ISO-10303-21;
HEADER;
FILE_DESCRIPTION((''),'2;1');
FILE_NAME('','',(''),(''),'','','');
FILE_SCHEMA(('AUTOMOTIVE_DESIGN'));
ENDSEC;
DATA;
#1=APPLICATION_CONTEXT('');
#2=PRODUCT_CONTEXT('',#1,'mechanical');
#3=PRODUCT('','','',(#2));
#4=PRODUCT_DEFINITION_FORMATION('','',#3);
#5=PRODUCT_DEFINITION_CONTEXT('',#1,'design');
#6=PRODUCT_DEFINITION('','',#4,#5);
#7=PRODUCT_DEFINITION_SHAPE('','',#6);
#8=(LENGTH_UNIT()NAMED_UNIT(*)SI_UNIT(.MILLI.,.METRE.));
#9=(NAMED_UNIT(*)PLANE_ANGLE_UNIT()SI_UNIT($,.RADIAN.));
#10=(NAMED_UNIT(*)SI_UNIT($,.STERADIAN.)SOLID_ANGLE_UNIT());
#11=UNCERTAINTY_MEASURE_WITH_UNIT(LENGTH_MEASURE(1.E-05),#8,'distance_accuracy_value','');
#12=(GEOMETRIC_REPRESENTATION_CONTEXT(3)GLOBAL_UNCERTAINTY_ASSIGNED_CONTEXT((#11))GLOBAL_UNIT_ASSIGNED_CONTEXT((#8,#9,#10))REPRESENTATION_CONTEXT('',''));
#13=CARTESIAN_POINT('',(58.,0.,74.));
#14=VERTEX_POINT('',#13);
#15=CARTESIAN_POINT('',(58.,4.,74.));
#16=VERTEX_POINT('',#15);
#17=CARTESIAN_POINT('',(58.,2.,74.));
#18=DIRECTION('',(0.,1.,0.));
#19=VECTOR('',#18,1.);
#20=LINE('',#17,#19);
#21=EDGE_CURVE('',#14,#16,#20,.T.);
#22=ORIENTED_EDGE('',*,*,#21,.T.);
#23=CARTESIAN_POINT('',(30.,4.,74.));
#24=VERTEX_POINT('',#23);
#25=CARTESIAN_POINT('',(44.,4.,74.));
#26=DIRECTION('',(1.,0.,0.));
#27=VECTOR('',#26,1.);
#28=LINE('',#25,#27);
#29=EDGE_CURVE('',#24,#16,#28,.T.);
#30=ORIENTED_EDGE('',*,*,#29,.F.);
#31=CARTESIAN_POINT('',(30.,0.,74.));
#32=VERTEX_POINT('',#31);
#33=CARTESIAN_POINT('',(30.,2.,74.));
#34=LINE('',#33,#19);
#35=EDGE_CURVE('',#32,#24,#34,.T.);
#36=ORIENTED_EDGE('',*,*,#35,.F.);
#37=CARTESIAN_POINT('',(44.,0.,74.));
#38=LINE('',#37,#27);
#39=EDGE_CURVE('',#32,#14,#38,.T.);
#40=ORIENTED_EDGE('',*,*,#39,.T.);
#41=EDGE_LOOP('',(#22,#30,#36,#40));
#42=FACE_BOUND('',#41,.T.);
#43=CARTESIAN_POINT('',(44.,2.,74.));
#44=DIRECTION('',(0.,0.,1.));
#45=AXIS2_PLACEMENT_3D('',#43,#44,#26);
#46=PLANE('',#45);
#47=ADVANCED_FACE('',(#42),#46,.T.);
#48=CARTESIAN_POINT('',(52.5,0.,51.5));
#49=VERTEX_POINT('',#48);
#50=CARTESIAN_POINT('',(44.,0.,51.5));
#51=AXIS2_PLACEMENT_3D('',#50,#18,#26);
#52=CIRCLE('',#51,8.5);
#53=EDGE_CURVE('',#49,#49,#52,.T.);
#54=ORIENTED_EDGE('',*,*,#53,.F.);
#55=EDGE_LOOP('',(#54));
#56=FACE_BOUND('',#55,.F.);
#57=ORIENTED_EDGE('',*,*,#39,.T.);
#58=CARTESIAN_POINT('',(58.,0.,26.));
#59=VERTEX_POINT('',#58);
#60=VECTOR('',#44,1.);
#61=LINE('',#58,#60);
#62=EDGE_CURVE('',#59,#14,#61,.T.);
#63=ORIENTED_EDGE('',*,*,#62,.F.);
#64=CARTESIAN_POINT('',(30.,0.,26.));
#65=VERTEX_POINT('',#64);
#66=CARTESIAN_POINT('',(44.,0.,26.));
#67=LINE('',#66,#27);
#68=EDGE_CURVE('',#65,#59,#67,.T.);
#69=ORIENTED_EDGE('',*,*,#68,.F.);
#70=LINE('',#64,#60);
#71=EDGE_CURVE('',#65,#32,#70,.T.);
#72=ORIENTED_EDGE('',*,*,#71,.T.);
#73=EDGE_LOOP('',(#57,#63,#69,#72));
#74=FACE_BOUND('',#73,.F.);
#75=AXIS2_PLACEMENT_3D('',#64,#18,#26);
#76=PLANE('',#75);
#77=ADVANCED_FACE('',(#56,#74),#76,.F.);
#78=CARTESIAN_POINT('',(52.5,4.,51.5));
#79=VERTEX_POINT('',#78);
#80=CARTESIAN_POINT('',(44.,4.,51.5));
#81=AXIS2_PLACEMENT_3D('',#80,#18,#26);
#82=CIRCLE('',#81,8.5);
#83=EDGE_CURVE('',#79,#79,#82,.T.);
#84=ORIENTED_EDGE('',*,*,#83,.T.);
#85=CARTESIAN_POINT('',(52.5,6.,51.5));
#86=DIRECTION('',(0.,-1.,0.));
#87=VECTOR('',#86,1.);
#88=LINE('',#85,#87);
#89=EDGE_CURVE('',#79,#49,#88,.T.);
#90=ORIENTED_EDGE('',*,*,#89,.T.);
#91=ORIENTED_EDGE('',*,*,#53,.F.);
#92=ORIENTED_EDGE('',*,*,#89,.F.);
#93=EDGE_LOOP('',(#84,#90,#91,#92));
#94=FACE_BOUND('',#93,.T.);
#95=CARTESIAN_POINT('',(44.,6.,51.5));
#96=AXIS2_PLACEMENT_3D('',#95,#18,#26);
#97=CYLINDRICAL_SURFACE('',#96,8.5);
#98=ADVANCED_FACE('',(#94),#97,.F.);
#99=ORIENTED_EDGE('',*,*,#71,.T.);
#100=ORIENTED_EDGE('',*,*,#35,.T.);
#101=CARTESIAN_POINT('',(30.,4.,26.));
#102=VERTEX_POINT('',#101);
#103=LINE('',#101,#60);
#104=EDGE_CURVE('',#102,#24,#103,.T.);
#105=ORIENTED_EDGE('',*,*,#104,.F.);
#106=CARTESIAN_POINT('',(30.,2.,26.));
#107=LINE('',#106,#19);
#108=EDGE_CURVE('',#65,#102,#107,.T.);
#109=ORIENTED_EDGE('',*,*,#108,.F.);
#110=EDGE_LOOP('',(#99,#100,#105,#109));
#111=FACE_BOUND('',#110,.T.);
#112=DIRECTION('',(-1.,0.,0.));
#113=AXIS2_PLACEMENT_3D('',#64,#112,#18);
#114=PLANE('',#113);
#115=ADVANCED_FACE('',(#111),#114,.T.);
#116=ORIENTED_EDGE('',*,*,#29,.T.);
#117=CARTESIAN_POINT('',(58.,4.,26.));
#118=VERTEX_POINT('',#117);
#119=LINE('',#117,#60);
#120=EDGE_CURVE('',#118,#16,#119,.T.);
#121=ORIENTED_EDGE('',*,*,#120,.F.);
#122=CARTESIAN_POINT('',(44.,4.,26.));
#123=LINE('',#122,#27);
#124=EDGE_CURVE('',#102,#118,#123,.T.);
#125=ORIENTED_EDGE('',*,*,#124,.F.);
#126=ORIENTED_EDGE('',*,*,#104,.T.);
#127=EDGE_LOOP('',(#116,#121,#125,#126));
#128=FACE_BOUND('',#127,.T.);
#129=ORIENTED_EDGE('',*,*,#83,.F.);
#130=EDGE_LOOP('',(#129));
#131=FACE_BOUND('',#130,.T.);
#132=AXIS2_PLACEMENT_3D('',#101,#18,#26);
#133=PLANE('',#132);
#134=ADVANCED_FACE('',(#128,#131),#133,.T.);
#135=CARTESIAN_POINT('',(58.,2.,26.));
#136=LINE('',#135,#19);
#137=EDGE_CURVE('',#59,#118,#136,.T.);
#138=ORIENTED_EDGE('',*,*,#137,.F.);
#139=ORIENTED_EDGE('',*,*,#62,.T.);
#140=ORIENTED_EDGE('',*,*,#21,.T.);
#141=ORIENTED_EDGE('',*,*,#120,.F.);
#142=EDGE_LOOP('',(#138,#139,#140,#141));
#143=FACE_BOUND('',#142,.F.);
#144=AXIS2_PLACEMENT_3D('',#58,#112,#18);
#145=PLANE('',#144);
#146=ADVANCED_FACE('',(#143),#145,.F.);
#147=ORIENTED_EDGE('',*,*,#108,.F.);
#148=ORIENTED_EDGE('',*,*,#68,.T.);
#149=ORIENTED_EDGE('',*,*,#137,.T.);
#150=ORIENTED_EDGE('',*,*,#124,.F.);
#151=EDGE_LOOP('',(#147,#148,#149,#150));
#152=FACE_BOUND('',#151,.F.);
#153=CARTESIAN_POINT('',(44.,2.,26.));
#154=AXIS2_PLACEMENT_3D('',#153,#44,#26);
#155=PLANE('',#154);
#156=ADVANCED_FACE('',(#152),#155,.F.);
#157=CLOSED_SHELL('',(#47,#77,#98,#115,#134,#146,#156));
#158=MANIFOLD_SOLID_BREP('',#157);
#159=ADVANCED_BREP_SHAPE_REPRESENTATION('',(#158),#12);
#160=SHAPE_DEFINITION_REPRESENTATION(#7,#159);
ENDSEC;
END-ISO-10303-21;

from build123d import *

# Parameters (mm, degrees)
CYLINDER881_R     = 8.5
CYLINDER881_DEPTH = 10
BOX425_W          = 28
BOX425_H          = 4
BOX425_DEPTH      = 48


with BuildPart() as v_lec881:
    # Cylinder881 → Cylinder881 (new body)
    with BuildSketch(Plane(origin=(44, 6, 51.5), x_dir=(1, 0, 0), z_dir=(0, -1, 0))):
        Circle(CYLINDER881_R)
    extrude(amount=CYLINDER881_DEPTH)


with BuildPart() as cut023:
    # Box425 → Box425 (new body)
    with BuildSketch(Plane(origin=(30, 0, 26), x_dir=(1, 0, 0), z_dir=(0, 0, 1))):
        with Locations((14, 2)):
            Rectangle(BOX425_W, BOX425_H)
    extrude(amount=BOX425_DEPTH)

    # Cut023: cut Válec881
    add(v_lec881.part, mode=Mode.SUBTRACT)


solid = cut023.part
